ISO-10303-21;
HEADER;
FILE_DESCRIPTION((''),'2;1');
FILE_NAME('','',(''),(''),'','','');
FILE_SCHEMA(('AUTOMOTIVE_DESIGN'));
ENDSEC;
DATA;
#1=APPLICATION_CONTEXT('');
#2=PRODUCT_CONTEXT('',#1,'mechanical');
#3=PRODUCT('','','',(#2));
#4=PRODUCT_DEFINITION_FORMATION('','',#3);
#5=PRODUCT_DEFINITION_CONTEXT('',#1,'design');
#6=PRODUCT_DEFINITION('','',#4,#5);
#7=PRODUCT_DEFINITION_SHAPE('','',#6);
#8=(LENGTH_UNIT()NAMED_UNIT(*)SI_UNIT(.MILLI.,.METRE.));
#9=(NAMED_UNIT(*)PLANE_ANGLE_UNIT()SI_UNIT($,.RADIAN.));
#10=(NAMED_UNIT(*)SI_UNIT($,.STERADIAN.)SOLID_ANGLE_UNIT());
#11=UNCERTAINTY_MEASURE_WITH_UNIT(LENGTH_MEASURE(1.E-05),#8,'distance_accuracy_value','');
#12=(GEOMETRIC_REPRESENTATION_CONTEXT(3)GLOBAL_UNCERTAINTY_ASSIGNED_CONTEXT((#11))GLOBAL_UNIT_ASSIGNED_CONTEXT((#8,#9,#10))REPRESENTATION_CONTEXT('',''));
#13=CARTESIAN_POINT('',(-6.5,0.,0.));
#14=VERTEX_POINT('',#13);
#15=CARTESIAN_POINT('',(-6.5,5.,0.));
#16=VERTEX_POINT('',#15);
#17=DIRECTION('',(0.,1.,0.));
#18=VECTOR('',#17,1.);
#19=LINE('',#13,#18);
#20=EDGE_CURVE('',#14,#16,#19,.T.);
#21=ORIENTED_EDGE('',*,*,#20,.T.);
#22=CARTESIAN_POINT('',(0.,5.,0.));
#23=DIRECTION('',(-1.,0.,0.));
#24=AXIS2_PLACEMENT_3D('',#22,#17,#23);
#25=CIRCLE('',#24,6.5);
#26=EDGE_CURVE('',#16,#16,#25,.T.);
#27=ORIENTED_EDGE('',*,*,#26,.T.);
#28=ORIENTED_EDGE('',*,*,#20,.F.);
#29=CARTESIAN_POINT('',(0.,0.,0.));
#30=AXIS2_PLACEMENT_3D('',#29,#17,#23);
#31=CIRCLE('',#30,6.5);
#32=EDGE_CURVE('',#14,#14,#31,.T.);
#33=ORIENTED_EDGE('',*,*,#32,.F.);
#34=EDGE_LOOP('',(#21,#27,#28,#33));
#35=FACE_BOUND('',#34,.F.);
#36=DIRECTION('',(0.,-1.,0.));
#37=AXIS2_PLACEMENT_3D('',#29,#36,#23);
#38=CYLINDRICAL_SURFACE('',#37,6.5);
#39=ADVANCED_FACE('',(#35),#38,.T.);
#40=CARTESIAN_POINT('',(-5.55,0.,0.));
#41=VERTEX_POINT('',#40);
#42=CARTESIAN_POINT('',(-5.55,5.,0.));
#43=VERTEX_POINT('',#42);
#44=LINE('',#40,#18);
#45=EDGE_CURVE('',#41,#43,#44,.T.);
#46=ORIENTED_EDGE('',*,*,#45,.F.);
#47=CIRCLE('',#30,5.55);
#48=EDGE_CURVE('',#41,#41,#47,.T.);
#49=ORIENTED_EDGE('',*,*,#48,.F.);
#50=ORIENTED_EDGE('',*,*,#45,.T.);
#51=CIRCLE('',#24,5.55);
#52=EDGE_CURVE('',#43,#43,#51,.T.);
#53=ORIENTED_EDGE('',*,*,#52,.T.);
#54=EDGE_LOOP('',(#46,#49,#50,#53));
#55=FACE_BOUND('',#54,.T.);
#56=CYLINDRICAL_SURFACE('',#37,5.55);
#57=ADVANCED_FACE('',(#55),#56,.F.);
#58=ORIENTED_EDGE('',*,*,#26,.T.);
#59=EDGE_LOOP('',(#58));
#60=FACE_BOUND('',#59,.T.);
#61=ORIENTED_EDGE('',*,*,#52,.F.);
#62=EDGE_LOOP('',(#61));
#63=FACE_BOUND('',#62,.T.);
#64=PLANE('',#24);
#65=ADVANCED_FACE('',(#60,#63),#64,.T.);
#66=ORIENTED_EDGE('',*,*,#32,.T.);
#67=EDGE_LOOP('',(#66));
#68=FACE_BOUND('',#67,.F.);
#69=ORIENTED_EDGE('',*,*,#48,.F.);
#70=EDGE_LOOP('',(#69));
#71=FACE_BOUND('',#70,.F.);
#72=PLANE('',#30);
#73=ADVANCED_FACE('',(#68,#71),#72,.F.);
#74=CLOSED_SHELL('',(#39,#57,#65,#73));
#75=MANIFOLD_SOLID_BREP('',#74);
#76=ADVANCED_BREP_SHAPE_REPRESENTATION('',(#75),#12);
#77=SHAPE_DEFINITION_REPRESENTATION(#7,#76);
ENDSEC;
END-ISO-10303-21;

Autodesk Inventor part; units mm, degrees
ref_plane "YZ Plane" through (0, 0, 0) normal (1, 0, 0) x (0, 1, 0)
ref_plane "XZ Plane" through (0, 0, 0) normal (0, 1, 0) x (-1, 0, 0)
ref_plane "XY Plane" through (0, 0, 0) normal (0, 0, 1) x (1, 0, 0)
sketch "Эскиз1" plane through (0, 0, 0) normal (0, 1, 0) x (-1, 0, 0)
  circle A0 centre (0, 0) radius 6.5
  circle A1 centre (0, 0) radius 5.55
  dimension "d0" = 13
  dimension "d1" = 11.1
extrude "Выдавливание1" add sketch "Эскиз1" along normal blind 5
properties part number "втулка_13-11"
